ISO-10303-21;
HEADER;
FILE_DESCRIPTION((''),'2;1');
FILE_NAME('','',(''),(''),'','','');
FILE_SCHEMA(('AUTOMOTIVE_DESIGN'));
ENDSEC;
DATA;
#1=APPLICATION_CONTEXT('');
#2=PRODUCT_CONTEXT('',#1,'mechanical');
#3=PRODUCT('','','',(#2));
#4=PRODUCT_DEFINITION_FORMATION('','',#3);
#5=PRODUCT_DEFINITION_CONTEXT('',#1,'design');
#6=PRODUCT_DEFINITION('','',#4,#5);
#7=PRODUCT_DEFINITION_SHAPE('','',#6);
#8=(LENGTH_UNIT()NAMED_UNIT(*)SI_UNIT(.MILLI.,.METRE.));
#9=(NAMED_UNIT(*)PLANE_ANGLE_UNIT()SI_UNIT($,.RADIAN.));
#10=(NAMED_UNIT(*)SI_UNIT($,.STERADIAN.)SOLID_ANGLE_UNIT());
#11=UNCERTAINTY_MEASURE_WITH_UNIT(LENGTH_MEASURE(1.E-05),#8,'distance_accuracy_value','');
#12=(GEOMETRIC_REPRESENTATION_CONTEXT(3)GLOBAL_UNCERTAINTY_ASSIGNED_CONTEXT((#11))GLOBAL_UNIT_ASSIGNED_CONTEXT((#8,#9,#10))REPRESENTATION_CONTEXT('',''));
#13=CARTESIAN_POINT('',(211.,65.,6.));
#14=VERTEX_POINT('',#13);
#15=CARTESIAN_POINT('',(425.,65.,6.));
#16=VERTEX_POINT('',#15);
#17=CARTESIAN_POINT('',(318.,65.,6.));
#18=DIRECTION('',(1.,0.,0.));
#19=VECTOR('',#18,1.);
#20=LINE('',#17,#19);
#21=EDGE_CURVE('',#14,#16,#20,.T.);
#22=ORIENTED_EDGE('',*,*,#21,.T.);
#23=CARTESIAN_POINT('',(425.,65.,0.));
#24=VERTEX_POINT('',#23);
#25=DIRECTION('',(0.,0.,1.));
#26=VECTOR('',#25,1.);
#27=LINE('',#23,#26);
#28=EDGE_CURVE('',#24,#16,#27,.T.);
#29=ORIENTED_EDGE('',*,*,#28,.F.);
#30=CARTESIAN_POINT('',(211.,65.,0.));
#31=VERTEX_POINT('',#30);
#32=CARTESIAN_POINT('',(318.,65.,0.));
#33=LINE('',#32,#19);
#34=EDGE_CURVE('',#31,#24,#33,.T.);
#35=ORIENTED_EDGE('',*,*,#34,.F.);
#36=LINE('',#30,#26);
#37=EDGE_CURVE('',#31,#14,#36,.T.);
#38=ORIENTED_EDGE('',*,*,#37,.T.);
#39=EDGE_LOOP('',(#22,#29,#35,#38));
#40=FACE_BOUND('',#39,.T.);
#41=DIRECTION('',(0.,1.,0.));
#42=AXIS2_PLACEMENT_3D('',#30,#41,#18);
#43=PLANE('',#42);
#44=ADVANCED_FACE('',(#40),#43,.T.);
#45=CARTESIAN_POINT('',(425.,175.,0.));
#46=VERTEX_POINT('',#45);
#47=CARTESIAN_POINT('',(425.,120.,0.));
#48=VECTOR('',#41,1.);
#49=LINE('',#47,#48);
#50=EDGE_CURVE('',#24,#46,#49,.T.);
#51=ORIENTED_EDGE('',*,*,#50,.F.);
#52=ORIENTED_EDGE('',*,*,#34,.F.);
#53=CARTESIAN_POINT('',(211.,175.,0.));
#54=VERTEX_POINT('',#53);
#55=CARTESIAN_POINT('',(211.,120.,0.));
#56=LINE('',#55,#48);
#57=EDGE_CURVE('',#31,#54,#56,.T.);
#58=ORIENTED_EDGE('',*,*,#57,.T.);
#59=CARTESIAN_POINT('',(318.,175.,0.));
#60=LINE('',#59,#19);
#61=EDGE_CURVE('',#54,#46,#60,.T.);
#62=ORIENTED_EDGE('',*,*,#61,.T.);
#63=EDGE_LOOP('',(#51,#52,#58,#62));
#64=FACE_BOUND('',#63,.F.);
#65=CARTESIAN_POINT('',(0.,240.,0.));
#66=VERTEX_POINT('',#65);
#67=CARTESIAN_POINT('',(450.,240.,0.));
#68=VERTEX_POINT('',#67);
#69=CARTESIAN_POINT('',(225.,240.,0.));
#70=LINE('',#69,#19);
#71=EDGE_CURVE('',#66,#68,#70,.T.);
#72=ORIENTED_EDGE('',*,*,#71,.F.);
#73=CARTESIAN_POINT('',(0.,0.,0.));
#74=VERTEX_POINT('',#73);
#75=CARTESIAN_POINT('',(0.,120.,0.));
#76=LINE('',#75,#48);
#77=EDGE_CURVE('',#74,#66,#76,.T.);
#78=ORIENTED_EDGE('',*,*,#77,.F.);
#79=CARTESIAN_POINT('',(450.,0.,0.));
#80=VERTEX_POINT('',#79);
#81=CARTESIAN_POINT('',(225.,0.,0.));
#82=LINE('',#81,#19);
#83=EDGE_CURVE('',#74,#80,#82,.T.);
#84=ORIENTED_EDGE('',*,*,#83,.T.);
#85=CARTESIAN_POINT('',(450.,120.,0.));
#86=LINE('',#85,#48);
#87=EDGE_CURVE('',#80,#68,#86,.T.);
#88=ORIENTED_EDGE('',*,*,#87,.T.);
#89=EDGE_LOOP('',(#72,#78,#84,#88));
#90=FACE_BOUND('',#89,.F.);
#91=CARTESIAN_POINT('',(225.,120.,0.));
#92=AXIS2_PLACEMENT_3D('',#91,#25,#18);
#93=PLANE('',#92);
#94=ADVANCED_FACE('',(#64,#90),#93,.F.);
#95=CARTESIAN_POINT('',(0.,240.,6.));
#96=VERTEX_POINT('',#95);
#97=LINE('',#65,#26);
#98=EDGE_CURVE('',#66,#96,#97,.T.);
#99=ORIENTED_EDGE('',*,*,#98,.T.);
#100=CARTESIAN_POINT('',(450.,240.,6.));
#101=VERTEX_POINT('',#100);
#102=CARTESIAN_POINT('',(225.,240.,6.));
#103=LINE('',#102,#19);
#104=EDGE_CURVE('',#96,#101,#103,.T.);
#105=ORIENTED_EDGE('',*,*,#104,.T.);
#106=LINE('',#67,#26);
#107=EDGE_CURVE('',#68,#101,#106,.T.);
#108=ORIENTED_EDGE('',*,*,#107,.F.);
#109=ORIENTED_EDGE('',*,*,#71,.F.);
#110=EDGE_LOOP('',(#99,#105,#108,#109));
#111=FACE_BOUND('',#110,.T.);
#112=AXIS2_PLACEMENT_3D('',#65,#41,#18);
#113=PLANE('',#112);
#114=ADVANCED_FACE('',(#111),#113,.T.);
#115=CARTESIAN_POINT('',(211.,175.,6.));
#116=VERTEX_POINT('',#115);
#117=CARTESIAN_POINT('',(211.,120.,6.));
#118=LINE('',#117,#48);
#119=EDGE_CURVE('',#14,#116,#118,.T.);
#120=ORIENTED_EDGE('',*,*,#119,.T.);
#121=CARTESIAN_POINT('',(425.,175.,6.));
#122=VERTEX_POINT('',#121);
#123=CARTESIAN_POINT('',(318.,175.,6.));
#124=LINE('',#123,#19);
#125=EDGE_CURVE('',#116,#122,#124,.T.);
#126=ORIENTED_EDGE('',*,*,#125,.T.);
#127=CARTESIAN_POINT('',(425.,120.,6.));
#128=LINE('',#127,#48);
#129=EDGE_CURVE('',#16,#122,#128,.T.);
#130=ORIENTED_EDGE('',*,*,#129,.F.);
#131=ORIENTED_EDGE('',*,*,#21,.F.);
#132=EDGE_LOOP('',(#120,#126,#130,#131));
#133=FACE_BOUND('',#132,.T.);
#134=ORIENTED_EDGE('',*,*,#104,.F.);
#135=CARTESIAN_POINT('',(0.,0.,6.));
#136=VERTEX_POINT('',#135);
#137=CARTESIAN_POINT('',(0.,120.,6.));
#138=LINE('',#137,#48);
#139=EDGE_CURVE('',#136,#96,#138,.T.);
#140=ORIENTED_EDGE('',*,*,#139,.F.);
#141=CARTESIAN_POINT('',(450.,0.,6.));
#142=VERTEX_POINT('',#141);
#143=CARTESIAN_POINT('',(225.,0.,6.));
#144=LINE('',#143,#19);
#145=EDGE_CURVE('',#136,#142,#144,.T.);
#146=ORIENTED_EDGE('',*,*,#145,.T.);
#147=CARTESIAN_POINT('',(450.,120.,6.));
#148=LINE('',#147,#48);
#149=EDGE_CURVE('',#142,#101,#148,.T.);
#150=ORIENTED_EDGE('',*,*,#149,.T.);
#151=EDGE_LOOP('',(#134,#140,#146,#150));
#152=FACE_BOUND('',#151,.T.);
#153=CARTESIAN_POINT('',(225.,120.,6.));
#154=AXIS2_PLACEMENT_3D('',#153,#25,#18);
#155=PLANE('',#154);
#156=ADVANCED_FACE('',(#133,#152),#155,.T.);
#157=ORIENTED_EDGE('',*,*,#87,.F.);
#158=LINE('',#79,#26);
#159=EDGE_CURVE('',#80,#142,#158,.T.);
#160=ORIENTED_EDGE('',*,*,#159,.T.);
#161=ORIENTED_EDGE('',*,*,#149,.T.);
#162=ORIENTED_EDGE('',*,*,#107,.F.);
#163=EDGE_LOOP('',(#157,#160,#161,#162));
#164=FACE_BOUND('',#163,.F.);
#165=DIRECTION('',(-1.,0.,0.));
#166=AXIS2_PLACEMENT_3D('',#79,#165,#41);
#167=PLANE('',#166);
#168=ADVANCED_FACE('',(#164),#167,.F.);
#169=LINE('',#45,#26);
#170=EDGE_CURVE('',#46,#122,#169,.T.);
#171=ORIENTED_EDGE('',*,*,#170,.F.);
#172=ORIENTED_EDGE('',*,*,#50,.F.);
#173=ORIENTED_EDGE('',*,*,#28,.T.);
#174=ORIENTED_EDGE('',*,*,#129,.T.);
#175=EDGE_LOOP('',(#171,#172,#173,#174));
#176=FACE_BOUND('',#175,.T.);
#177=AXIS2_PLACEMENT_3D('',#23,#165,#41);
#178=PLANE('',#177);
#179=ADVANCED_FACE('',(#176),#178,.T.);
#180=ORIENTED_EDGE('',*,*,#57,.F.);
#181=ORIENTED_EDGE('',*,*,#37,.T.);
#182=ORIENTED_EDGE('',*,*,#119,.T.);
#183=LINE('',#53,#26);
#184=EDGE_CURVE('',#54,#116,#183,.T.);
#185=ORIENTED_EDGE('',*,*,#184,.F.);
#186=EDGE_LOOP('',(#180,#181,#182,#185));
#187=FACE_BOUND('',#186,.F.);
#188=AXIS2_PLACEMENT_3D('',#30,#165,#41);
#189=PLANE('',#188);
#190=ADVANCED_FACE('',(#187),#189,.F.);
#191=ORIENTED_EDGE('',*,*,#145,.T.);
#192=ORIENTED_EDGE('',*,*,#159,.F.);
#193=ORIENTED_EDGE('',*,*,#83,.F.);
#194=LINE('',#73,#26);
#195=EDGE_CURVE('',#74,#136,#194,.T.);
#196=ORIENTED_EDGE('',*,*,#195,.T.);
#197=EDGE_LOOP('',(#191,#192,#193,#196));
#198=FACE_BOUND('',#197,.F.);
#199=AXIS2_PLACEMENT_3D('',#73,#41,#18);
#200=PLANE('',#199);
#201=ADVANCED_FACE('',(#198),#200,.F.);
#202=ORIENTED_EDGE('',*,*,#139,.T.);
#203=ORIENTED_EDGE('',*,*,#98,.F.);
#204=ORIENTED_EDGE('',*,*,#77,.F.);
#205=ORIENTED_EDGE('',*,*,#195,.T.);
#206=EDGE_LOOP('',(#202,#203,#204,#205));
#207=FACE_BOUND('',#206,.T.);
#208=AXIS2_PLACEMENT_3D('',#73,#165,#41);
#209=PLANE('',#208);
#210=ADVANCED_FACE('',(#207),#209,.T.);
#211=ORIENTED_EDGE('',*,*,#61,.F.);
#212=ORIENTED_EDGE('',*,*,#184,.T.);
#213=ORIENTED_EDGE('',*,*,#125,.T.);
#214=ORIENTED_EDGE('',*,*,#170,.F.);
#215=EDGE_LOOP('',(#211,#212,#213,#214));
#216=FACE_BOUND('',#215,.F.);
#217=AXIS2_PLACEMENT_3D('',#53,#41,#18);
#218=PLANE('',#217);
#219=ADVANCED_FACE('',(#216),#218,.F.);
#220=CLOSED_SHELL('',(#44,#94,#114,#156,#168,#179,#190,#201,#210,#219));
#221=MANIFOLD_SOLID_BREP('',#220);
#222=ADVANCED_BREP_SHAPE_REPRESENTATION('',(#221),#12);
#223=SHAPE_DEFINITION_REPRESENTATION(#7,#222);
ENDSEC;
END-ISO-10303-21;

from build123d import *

# Parameters (mm, degrees)
SKETCH_W   = 450
SKETCH_H   = 240
SKETCH_W_2 = 214
SKETCH_H_2 = 110
PAD_DEPTH  = 6


with BuildPart() as part:
    # Sketch → Pad (new body)
    with BuildSketch(Plane.XY):
        with Locations((225, 120)):
            Rectangle(SKETCH_W, SKETCH_H)
        with Locations((318, 120)):
            Rectangle(SKETCH_W_2, SKETCH_H_2, mode=Mode.SUBTRACT)
    extrude(amount=PAD_DEPTH)


solid = part.part
